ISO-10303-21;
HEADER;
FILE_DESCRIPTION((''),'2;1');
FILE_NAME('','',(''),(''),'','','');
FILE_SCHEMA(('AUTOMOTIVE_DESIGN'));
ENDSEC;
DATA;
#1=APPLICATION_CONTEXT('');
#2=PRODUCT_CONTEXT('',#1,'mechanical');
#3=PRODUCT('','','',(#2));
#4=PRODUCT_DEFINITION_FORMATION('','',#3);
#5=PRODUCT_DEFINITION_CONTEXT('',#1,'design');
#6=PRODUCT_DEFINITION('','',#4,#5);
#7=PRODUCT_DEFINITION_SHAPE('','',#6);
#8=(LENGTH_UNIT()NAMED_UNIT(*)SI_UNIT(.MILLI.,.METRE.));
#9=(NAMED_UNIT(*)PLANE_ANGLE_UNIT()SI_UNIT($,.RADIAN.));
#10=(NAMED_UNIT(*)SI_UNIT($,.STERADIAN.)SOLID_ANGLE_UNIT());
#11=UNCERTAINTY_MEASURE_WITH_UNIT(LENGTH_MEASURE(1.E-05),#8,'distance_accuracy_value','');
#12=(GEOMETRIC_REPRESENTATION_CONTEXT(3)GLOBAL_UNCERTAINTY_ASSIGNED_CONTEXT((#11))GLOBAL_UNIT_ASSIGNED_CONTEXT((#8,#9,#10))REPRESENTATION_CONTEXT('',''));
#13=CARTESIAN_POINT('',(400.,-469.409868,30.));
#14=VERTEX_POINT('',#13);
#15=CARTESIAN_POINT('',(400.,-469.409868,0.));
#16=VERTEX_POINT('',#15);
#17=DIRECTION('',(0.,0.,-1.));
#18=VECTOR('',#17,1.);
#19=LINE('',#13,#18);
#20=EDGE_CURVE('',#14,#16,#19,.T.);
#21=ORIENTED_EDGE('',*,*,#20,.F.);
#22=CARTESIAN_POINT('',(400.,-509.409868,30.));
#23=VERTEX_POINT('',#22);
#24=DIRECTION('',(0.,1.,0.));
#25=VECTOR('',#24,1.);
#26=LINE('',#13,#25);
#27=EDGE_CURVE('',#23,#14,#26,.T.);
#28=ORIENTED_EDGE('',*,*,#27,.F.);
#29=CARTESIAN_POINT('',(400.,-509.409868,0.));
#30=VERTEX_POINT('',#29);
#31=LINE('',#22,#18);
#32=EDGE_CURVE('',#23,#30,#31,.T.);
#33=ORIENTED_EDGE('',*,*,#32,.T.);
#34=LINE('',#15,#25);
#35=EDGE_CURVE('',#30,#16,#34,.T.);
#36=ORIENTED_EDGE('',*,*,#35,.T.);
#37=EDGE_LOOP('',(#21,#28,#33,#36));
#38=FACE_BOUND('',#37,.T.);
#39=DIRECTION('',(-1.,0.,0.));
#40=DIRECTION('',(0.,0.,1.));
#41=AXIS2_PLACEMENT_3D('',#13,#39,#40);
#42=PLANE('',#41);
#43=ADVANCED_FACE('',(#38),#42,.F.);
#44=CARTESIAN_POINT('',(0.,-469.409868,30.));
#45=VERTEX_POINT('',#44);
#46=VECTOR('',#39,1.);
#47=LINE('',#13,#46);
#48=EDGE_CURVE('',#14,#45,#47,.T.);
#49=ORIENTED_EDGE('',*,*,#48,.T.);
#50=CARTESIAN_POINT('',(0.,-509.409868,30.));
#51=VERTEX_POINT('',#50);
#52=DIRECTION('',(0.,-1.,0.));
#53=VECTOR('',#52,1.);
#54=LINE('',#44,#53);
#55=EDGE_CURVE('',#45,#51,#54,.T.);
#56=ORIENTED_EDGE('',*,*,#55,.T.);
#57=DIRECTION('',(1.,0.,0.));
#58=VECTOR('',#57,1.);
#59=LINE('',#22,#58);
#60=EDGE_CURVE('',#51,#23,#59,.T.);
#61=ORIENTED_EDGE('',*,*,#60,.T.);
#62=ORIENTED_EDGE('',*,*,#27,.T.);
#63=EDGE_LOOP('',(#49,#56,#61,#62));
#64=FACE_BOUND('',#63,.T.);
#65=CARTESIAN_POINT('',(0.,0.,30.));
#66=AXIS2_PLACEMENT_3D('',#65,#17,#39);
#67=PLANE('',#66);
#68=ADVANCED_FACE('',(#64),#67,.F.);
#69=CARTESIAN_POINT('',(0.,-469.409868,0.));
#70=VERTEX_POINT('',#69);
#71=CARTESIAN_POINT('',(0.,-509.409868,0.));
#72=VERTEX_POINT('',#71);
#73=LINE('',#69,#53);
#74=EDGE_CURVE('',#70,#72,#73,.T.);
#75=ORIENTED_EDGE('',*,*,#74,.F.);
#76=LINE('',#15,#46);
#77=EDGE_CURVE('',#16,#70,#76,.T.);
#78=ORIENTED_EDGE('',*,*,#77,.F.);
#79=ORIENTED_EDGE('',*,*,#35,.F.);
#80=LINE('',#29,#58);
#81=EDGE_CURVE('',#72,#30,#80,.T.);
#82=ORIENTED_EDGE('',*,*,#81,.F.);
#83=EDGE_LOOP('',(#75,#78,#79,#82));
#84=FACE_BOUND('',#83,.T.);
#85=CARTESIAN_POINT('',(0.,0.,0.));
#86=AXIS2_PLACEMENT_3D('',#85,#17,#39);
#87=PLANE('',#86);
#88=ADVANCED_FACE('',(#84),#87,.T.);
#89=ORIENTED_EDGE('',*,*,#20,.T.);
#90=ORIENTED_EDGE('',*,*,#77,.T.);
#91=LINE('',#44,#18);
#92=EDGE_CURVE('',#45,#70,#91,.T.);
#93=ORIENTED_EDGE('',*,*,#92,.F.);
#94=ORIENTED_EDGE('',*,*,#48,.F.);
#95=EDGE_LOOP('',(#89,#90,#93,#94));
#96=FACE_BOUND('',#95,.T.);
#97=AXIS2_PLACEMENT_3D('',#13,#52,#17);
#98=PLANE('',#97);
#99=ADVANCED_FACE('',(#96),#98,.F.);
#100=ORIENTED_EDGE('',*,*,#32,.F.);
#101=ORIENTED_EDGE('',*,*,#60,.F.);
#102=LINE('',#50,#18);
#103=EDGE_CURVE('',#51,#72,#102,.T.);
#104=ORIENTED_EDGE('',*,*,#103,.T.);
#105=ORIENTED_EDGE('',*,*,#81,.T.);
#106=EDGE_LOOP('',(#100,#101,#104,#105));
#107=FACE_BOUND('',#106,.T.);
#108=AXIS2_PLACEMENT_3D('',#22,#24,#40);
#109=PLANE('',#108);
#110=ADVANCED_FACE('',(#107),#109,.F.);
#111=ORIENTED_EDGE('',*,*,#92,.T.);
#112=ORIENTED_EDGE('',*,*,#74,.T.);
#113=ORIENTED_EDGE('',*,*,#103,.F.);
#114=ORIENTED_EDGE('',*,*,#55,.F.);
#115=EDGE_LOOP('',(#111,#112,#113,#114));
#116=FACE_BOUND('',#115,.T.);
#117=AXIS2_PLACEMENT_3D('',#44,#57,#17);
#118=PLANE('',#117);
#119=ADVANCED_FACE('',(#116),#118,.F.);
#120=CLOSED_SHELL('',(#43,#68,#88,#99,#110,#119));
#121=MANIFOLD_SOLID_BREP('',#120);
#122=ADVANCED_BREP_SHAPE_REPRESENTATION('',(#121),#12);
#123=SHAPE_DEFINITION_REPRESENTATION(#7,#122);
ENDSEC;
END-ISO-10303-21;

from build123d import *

# Parameters (mm, degrees)
ESQUISSE1_W        = 400
ESQUISSE1_H        = 40
BOSS_EXTRU_1_DEPTH = 30


with BuildPart() as part:
    # Esquisse1 → Boss.-Extru.1 (new body)
    with BuildSketch(Plane.XY):
        with Locations((200, -489.409867617)):
            Rectangle(ESQUISSE1_W, ESQUISSE1_H)
    extrude(amount=BOSS_EXTRU_1_DEPTH)


solid = part.part
